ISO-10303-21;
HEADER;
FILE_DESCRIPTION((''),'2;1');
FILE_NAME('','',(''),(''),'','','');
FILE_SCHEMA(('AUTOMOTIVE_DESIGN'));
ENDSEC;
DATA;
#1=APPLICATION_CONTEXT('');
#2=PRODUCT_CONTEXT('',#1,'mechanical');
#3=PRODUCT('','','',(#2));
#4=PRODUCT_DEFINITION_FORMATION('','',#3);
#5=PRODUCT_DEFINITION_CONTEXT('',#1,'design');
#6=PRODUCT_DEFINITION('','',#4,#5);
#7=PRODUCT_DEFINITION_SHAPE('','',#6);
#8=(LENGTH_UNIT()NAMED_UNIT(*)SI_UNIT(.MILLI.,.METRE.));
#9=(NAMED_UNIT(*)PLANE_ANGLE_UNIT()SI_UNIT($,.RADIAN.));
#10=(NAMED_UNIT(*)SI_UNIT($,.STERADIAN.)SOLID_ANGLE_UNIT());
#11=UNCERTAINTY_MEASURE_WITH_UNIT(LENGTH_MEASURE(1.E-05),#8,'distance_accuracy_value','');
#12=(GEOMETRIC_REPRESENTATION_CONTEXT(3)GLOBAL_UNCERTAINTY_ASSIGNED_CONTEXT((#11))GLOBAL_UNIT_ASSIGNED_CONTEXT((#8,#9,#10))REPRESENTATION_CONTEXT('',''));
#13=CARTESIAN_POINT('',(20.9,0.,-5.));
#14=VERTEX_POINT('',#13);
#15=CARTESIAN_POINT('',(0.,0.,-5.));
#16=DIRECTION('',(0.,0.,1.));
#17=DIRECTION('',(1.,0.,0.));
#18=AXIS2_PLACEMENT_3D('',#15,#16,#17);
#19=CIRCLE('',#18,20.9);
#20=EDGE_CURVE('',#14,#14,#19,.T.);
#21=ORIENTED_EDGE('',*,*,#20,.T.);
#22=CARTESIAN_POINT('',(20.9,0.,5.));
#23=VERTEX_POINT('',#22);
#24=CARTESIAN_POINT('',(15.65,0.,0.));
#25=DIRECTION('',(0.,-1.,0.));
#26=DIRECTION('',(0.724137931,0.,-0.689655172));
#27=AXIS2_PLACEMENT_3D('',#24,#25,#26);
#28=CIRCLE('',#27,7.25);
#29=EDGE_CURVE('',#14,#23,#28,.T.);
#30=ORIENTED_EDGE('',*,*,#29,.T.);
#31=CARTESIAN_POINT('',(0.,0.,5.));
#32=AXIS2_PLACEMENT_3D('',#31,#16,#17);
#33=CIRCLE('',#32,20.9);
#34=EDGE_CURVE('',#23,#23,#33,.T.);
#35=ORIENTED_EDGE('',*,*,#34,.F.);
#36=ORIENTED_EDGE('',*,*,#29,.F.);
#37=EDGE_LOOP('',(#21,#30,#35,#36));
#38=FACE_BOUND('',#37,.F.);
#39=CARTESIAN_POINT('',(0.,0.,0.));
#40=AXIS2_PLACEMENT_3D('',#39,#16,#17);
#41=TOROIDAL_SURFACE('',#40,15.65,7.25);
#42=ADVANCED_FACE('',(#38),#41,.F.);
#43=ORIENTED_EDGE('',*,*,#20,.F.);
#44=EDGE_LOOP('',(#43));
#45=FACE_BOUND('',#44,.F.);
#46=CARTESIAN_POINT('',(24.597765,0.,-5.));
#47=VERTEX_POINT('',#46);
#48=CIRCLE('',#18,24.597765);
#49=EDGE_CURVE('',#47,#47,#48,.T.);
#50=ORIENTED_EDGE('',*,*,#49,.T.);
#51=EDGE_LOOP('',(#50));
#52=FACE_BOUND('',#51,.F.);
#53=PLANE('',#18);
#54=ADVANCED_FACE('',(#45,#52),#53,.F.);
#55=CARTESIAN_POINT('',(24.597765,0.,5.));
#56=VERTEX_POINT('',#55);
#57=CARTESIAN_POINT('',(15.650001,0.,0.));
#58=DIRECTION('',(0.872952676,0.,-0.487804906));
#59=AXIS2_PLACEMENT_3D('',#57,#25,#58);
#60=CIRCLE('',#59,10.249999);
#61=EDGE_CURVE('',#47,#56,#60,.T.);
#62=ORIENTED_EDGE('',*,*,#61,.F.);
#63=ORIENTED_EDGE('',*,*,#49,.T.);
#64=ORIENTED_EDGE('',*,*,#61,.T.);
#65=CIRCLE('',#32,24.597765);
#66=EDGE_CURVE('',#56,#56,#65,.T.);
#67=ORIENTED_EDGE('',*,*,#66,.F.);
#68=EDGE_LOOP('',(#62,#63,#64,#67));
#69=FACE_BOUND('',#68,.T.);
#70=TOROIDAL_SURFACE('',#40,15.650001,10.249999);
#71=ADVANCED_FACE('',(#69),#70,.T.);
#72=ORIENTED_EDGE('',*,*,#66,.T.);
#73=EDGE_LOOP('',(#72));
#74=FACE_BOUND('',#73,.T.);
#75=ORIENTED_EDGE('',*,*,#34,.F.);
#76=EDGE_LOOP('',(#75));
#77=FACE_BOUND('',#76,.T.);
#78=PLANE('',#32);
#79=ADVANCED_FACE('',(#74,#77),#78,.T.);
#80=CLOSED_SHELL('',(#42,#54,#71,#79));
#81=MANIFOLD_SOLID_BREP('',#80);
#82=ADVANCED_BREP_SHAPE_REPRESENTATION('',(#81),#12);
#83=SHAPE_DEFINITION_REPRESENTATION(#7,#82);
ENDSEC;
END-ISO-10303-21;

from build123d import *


with BuildPart() as part:
    # Sketch → Revolution (revolve)
    with BuildSketch(Plane.XZ):
        with BuildLine():
            ThreePointArc((24.597765, -5), (25.9, 0), (24.597765, 5))
            Line((24.597765, 5), (20.9, 5))
            ThreePointArc((20.9, -5), (22.9, 0), (20.9, 5))
            Line((24.597765, -5), (20.9, -5))
        make_face()
    revolve(axis=Axis((0, 0, 0), (0, 0, 1)))


solid = part.part
